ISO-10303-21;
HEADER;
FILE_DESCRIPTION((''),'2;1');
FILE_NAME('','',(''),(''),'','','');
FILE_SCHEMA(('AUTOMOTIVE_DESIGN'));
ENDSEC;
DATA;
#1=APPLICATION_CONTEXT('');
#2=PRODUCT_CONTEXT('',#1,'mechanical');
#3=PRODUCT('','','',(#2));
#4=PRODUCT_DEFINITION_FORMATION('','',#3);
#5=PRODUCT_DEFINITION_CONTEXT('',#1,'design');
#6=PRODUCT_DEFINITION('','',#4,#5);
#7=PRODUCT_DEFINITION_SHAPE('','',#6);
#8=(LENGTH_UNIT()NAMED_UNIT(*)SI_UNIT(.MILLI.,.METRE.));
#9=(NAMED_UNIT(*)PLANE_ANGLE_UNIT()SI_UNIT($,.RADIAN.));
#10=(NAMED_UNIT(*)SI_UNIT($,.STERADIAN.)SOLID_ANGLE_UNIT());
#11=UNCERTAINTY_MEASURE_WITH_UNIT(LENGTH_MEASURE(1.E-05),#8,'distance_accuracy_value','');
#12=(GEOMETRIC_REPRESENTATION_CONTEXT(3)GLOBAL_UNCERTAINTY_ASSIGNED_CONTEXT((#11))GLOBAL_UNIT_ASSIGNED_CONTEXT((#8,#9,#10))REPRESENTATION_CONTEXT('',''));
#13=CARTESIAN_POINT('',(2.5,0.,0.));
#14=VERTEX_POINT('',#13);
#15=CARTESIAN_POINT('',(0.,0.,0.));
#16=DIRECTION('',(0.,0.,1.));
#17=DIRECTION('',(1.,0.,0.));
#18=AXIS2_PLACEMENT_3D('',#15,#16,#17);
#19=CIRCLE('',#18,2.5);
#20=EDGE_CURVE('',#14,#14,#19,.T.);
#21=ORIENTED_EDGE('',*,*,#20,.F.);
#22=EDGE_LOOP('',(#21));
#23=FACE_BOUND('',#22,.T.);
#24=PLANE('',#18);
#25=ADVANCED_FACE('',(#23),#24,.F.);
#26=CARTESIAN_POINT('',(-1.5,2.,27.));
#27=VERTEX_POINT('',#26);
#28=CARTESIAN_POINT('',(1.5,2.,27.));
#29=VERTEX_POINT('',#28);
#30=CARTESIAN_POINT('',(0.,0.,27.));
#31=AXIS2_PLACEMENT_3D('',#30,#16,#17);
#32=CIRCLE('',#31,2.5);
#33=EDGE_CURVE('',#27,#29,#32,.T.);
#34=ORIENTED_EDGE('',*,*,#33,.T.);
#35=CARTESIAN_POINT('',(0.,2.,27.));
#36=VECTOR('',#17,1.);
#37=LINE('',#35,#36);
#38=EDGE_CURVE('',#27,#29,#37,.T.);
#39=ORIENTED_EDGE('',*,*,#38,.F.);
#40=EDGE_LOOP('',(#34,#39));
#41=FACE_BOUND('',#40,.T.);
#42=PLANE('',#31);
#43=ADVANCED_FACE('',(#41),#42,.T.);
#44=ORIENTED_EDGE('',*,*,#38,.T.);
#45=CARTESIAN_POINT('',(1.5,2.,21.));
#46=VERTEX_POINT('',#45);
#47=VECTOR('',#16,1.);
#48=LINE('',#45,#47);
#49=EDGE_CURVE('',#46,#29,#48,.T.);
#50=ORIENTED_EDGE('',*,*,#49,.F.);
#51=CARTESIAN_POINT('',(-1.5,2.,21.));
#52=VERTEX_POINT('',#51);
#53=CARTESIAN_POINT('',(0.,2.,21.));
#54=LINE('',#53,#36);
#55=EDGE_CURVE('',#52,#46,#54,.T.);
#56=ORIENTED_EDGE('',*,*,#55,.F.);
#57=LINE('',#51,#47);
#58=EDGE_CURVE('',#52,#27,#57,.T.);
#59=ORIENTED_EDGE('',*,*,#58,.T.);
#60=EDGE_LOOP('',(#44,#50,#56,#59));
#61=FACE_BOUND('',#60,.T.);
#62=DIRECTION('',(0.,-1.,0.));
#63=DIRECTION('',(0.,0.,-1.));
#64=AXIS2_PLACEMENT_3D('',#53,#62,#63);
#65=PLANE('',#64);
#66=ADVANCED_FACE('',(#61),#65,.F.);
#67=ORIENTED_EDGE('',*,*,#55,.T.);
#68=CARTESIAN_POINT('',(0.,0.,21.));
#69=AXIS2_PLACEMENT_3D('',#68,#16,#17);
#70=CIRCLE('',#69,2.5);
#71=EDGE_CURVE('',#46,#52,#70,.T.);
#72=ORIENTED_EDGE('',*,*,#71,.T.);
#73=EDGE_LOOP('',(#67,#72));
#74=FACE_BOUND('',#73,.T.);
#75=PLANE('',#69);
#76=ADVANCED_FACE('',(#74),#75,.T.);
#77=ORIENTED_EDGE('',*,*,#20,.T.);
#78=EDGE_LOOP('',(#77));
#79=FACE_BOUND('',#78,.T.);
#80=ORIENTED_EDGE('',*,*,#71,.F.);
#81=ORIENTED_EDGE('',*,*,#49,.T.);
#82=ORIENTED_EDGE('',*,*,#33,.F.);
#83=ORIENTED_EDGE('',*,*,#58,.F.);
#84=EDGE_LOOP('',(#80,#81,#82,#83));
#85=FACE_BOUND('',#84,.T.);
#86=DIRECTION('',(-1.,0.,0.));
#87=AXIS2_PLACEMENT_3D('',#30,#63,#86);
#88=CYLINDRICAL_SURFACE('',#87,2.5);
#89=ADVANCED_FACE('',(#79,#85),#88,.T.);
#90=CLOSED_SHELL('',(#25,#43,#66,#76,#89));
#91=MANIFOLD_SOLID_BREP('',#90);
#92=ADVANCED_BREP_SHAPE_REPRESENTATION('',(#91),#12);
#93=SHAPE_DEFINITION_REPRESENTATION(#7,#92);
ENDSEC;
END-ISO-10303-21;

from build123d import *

# Parameters (mm, degrees)
SKETCH1_R           = 2.5
BOSS_EXTRUDE1_DEPTH = 27
CUT_EXTRUDE1_DEPTH  = 6


with BuildPart() as part:
    # Sketch1 → Boss-Extrude1 (new body)
    with BuildSketch(Plane.XY):
        Circle(SKETCH1_R)
    extrude(amount=BOSS_EXTRUDE1_DEPTH)

    # Sketch2 → Cut-Extrude1 (cut)
    with BuildSketch(Plane.XY.offset(27)):
        Polygon((-23.541594579, 2), (-1.5, 2), (1.5, 2), (23.541594579, 2), (23.541594579, 46.083189158), (-23.541594579, 46.083189158), align=None)
    extrude(amount=-CUT_EXTRUDE1_DEPTH, mode=Mode.SUBTRACT)


solid = part.part
